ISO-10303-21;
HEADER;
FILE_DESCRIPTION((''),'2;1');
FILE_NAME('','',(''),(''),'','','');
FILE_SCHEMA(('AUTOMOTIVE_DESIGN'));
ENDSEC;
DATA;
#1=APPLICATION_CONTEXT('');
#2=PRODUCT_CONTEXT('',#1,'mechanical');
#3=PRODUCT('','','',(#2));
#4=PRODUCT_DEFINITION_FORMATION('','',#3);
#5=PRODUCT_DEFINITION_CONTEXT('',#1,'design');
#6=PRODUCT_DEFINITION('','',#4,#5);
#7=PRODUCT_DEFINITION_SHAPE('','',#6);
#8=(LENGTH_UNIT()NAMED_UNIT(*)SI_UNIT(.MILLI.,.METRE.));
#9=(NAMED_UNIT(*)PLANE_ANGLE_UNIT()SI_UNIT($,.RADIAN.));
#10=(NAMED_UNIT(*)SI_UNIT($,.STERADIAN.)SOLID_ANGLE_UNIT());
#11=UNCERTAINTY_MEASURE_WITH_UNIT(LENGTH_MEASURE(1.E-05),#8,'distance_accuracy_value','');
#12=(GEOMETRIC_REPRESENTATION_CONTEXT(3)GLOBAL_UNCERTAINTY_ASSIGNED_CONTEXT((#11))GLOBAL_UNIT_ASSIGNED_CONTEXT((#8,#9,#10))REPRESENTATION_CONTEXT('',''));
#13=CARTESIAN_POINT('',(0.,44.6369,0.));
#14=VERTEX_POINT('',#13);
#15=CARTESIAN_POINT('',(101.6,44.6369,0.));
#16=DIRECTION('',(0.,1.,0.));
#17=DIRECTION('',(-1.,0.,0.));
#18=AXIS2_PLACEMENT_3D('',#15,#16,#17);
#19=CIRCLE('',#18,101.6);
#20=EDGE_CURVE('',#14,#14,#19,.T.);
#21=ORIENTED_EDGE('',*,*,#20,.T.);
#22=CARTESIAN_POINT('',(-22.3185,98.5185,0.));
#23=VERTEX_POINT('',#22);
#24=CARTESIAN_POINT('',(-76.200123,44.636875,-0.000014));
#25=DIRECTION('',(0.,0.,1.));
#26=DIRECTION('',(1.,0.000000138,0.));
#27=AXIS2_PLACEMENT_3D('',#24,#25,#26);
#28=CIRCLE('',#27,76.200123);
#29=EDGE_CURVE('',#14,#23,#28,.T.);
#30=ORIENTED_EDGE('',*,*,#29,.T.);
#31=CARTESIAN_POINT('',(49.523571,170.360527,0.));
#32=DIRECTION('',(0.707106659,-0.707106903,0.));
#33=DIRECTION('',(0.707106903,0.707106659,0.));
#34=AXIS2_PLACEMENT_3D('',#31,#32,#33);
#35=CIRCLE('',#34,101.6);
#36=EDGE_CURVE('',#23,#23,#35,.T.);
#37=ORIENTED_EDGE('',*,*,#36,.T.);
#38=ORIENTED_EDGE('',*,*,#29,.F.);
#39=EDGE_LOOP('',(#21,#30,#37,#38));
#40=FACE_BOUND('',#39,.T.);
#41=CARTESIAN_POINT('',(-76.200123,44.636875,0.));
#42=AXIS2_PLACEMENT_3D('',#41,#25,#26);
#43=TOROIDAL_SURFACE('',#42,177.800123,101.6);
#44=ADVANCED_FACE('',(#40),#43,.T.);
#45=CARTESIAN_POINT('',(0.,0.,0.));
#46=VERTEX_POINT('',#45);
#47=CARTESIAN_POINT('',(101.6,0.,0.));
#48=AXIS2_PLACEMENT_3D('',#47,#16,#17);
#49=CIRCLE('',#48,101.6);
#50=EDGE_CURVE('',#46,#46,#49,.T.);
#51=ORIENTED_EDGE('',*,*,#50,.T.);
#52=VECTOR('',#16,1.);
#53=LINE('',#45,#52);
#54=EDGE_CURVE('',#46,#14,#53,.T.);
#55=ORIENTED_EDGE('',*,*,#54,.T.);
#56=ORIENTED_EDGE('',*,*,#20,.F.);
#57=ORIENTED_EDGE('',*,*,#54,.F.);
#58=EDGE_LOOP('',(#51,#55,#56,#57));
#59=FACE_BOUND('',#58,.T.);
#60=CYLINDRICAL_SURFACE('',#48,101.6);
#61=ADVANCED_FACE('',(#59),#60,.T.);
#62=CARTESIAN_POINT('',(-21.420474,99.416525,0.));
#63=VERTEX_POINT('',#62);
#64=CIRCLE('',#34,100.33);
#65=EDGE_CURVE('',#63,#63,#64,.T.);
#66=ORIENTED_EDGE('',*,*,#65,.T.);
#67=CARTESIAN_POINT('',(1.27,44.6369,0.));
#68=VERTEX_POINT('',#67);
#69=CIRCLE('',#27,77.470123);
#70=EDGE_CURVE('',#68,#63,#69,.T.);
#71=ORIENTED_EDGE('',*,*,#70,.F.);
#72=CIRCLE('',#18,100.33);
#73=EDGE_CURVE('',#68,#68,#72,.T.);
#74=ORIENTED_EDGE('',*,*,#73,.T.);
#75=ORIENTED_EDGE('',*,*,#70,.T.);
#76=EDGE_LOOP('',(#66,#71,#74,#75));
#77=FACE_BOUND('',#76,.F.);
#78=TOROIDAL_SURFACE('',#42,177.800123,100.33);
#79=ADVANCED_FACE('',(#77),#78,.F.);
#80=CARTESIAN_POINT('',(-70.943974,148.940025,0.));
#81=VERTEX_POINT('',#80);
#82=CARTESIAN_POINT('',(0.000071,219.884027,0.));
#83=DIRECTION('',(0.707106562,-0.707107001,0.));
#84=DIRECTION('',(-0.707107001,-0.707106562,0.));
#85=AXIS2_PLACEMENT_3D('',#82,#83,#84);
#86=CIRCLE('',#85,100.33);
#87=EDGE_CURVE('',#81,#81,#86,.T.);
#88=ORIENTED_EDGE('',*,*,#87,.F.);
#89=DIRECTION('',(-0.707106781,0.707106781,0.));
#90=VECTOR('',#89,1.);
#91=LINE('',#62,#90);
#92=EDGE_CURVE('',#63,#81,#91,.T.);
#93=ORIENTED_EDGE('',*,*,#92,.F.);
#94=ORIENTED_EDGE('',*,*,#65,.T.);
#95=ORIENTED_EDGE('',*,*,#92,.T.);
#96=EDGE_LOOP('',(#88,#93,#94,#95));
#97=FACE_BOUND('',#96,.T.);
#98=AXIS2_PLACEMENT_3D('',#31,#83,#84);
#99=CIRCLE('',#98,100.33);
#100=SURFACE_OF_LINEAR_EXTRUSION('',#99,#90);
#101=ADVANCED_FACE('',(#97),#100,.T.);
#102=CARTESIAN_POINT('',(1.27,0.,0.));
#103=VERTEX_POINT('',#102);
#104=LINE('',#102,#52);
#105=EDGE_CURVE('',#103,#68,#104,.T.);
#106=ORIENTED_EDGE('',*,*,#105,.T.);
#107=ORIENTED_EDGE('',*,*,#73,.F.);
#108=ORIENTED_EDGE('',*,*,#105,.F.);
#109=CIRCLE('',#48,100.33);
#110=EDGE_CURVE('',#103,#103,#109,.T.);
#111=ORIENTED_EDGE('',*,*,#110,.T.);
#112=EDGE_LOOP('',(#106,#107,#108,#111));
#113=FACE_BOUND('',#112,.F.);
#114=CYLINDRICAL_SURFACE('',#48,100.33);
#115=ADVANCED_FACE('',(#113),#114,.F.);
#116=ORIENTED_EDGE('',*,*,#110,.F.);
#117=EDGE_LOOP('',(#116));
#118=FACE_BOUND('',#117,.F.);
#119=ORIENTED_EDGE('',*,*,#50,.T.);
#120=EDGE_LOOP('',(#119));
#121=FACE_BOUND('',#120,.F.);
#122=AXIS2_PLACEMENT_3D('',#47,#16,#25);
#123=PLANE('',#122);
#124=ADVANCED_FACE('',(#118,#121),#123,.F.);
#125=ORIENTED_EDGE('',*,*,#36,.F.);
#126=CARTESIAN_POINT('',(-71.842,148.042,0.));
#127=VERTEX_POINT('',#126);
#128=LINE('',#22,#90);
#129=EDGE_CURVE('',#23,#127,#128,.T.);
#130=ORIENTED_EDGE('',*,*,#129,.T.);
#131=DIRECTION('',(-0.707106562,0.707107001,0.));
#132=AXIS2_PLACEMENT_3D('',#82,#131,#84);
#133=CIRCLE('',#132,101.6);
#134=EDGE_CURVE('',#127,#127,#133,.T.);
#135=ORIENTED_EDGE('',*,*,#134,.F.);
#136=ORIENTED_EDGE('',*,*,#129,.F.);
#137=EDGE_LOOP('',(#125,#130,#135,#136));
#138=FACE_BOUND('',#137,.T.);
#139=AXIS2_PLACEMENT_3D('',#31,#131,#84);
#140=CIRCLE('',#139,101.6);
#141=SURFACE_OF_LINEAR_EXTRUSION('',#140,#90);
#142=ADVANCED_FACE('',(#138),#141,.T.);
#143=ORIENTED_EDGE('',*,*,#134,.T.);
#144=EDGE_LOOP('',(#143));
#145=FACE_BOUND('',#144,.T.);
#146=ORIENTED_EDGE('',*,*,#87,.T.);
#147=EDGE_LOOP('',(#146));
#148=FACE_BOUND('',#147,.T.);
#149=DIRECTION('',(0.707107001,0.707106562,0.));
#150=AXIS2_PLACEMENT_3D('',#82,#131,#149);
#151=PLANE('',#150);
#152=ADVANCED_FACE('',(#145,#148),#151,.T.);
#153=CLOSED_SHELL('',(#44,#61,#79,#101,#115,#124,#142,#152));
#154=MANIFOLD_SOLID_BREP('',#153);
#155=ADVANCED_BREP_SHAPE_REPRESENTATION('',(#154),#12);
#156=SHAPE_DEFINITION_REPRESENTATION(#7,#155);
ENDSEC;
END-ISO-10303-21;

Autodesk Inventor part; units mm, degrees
ref_plane "XZ Plane" through (0, 0, 0) normal (0, 1, 0) x (-1, 0, 0)
sketch "Sketch1" plane through (0, 0, 0) normal (0, 0, 1) x (1, 0, 0)
  line L0 (0, 0) -> (0, 44.6369)
  line L1 (-22.3185, 98.5185) -> (-71.842, 148.042)
  arc A0 (0, 44.6369) -> (-22.3185, 98.5185) centre (-76.2, 44.6369) ccw
  point P0 (0, 76.2)
  dimension "d0" = 135
  dimension "d1" = 76.2
  dimension "d2" = 101.6
  dimension "d3" = 76.2
sketch "Sketch2" plane through (0, 0, 0) normal (0, 1, 0) x (-1, 0, 0)
  circle A0 centre (-101.6, 0) radius 101.6
  line L0 (0, 0) -> (-124.0253, 0) construction
  circle A1 centre (-101.6, 0) radius 100.33
  dimension "d4" = 203.2
  dimension "d6" = 1.27
sweep "Sweep1" add profiles "Sketch2" path "Sketch1"
ref_plane "Work Plane1" through (101.6, 0, 0) normal (1, 0, 0) x (0, 1, 0)
ref_plane "Work Plane4" through (101.6, 0, 0) normal (0, -1, 0) x (1, 0, 0)
ref_plane "Work Plane6" through (-71.842, 148.042, 0) normal (-0.7071, 0.7071, 0) x (-0.7071, -0.7071, 0)
ref_plane "Work Plane7" through (0, 0, 58.42) normal (0, 0, 1) x (1, 0, 0)
ref_plane "Work Plane8" through (0, 0, -58.42) normal (0, 0, 1) x (1, 0, 0)
sketch "Sketch4" plane through (0, 0, 58.42) normal (0, 0, 1) x (1, 0, 0)
  line L0 (58.7778, 278.6619) -> (108.3014, 229.1383) projected
  arc A0 (184.7244, 44.6369) -> (108.3014, 229.1383) centre (-76.2, 44.6369) ccw projected
  line L1 (184.7244, 44.6369) -> (184.7244, 0) projected
  line L2 (184.7244, 0) -> (183.1672, 0) projected
  line L3 (183.1672, 0) -> (183.1672, 44.6369) projected
  arc A1 (183.1672, 44.6369) -> (107.2003, 228.0373) centre (-76.2, 44.6369) ccw projected
  line L4 (107.2003, 228.0373) -> (57.6767, 277.5608) projected
  line L5 (57.6767, 277.5608) -> (58.7778, 278.6619) projected
  line L6 (-9.2542, 111.5827) -> (-58.7778, 161.1063) projected
  line L7 (-58.7778, 161.1063) -> (-57.6767, 162.2074) projected
  line L8 (-57.6767, 162.2074) -> (-8.1532, 112.6838) projected
  arc A2 (20.0328, 44.6369) -> (-8.1532, 112.6838) centre (-76.2, 44.6369) ccw projected
  line L9 (20.0328, 44.6369) -> (20.0328, 0) projected
  line L10 (20.0328, 0) -> (18.4756, 0) projected
  line L11 (18.4756, 0) -> (18.4756, 44.6369) projected
  arc A3 (18.4756, 44.6369) -> (-9.2542, 111.5827) centre (-76.2, 44.6369) ccw projected
  line L12 (-22.3185, 98.5185) -> (-71.842, 148.042) projected
  arc A4 (0, 44.6369) -> (-22.3185, 98.5185) centre (-76.2, 44.6369) ccw projected
  line L13 (0, 0) -> (0, 44.6369) projected
  line L14 (203.2, 0) -> (203.2, 44.6369) projected
  arc A5 (203.2, 44.6369) -> (121.3656, 242.2026) centre (-76.2, 44.6369) ccw projected
  line L15 (121.3656, 242.2026) -> (71.842, 291.7261) projected
  dimension "d14" = 18.4756
  dimension "d15" = 18.4756
  dimension "d16" = 18.4756
  dimension "d17" = 76.2
  dimension "d18" = 94.6756
  dimension "d19" = 70.0369
  dimension "d20" = 44.6369
  dimension "d21" = 135
equation "\"angle\" = 45deg"
equation "\"d8\" = -d7"
equation "\"d7\" = 58.42"
properties part number "Ball Path"
